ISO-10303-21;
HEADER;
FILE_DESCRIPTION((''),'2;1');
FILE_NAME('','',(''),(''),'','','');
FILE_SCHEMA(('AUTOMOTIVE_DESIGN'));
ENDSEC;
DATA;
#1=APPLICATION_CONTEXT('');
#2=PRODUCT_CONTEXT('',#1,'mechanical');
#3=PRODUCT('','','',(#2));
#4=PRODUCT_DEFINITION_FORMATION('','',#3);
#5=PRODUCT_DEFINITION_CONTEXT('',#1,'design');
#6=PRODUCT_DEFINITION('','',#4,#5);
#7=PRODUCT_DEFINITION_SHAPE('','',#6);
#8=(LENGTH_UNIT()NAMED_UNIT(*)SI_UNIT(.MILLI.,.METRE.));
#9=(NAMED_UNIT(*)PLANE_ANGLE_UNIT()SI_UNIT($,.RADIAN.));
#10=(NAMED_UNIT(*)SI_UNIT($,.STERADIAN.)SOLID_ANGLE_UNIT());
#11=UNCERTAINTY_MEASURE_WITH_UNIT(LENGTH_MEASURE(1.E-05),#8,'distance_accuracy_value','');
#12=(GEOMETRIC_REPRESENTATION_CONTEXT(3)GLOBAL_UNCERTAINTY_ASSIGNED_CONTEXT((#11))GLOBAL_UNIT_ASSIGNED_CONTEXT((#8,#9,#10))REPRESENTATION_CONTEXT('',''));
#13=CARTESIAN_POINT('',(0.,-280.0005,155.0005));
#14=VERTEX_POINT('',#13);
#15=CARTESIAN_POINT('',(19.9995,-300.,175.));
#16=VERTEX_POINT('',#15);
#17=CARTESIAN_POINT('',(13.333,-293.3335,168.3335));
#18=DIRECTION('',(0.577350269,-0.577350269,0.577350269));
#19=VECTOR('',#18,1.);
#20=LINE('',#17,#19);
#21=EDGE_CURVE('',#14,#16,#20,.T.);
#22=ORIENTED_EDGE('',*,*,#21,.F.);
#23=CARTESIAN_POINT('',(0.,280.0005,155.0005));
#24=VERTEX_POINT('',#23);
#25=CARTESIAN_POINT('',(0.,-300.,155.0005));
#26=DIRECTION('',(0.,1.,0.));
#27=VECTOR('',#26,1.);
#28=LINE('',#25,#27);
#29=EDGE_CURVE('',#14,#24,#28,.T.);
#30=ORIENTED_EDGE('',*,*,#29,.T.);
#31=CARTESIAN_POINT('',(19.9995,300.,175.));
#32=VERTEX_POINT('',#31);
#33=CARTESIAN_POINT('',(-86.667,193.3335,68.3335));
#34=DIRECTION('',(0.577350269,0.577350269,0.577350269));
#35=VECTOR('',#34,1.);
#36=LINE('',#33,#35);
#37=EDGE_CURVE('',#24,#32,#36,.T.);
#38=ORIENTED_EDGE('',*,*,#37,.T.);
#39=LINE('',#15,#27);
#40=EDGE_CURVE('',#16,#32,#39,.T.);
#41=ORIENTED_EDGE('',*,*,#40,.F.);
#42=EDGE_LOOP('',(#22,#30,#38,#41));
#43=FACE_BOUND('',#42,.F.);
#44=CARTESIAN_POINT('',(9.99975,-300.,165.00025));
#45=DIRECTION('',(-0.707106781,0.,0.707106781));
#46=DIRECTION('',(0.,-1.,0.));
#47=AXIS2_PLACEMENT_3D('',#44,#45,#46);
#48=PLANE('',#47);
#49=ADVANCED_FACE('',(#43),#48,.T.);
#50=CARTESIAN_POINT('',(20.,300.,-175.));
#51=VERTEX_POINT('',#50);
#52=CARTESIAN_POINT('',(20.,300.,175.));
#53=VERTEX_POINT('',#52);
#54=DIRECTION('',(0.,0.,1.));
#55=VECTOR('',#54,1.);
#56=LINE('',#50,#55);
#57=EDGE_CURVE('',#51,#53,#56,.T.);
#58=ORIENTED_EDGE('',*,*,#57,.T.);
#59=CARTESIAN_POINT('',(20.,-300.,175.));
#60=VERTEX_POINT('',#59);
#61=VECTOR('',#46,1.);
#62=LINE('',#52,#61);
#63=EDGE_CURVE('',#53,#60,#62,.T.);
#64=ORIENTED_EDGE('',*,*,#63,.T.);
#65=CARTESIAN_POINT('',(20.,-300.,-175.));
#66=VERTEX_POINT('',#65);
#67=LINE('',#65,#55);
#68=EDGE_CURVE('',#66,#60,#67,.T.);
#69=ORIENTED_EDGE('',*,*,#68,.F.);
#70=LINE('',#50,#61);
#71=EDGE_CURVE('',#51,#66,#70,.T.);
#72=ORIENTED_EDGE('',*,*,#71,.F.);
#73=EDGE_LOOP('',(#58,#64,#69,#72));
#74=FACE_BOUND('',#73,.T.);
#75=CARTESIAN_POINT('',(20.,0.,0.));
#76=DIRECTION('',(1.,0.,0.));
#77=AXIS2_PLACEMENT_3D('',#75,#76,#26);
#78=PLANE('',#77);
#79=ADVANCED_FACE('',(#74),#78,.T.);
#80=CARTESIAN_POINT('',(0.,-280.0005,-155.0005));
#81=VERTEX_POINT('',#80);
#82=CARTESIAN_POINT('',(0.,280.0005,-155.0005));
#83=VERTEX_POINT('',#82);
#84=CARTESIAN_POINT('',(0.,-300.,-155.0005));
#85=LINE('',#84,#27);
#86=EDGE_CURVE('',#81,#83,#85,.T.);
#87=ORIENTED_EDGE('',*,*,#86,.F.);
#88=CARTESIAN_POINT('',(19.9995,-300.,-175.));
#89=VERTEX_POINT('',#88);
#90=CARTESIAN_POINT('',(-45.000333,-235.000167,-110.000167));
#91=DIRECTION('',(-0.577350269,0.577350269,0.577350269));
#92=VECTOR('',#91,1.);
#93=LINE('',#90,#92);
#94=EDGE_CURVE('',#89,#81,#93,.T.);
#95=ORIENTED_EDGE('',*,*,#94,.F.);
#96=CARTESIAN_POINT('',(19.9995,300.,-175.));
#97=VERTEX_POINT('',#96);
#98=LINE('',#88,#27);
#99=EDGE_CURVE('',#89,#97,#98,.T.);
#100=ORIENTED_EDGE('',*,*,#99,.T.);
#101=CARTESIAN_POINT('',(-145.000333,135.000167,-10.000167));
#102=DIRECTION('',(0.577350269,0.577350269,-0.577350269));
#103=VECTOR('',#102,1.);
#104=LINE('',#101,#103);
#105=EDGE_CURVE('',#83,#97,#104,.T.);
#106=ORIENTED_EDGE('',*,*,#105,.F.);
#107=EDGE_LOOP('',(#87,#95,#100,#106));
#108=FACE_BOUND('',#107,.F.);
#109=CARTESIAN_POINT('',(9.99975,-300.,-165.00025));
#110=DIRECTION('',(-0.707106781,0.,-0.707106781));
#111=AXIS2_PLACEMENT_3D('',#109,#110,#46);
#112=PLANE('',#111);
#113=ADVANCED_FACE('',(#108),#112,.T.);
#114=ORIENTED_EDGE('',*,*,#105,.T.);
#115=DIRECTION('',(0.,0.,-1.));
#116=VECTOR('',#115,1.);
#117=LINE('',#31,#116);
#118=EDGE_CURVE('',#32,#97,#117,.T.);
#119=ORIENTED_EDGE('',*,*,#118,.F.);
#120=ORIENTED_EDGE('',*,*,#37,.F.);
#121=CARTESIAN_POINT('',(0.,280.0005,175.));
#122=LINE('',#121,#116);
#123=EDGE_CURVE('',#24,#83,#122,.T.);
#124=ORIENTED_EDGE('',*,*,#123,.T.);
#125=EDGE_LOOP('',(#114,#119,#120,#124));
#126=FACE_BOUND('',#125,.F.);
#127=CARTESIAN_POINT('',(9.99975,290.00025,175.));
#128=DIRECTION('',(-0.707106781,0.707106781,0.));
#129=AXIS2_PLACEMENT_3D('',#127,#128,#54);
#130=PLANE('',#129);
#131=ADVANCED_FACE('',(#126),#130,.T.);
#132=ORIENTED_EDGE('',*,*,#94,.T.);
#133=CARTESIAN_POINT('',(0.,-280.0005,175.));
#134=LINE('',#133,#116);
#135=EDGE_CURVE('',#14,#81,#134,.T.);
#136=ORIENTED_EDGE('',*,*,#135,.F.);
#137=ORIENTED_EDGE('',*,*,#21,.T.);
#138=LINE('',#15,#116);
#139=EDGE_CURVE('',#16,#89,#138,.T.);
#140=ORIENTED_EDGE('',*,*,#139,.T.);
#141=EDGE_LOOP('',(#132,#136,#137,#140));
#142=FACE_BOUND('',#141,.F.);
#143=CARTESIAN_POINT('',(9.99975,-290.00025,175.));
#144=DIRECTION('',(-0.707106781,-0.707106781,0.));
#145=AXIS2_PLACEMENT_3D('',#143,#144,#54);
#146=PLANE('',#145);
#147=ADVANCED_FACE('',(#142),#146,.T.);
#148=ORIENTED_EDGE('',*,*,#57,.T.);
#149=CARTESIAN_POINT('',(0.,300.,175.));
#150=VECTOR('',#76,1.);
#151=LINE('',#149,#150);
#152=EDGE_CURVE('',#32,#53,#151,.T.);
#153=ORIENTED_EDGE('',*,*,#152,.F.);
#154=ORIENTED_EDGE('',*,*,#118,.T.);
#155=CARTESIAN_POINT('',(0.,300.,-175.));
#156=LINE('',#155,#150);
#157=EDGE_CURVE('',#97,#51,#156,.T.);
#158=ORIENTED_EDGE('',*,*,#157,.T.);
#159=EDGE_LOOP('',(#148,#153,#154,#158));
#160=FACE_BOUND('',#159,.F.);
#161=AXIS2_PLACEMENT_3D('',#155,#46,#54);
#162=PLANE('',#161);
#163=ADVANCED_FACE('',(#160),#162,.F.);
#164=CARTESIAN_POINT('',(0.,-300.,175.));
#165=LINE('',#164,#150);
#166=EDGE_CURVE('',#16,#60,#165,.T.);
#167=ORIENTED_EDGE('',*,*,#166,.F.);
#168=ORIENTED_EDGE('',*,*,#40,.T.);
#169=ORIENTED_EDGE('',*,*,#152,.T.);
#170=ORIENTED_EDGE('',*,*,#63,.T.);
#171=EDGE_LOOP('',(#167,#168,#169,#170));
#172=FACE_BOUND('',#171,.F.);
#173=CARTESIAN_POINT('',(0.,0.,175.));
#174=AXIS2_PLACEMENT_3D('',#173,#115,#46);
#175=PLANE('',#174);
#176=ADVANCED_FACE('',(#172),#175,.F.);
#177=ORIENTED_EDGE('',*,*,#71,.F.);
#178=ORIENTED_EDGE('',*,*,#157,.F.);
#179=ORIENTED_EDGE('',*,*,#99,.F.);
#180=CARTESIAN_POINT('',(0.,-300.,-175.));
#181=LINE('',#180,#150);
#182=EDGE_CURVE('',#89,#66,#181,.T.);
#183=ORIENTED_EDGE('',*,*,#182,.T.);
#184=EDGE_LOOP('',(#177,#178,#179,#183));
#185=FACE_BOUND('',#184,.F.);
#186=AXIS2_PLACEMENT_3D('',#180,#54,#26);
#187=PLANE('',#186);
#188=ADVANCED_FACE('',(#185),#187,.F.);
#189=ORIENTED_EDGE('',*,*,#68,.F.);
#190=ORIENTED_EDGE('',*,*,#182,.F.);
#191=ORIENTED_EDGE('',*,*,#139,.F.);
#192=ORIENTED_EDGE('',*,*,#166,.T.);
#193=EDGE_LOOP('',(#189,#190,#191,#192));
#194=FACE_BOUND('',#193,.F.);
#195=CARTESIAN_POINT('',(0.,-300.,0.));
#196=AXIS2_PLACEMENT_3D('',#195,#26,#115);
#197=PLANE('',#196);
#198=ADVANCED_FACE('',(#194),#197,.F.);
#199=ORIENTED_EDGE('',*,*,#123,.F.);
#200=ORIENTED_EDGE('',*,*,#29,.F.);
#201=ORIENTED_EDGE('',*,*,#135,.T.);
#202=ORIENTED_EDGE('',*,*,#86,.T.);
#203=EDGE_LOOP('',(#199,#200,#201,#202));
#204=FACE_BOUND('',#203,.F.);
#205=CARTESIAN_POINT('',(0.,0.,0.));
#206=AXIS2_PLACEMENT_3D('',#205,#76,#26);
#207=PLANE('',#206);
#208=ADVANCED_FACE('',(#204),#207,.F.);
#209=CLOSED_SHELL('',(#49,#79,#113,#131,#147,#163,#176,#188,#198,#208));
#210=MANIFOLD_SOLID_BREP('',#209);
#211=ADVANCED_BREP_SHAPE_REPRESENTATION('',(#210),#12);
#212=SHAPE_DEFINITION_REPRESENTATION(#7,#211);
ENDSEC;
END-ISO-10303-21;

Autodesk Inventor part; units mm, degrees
ref_plane "YZ Plane" through (0, 0, 0) normal (1, 0, 0) x (0, 1, 0)
ref_plane "XZ Plane" through (0, 0, 0) normal (0, 1, 0) x (-1, 0, 0)
ref_plane "XY Plane" through (0, 0, 0) normal (0, 0, 1) x (1, 0, 0)
sketch "Skizze1" plane through (0, 0, 0) normal (1, 0, 0) x (0, 1, 0)
  line L0 (0, -245) -> (0, 245) projected
  line L1 (-420, 0) -> (420, 0) projected
  line L2 (300, 175) -> (-300, 175)
  line L3 (-300, 175) -> (-300, -175)
  line L4 (-300, -175) -> (300, -175)
  line L5 (300, -175) -> (300, 175)
  point P0 (0, 0)
  dimension "d0" = 350
  dimension "d1" = 600
extrude "Extrusion1" add sketch "Skizze1" along normal blind 20
chamfer "Fase1" distance 20 angle 45 4 edges at (0, 0, 175) (0, 300, 0) (0, 0, -175) (0, -300, 0)
properties part number "Wand2"
